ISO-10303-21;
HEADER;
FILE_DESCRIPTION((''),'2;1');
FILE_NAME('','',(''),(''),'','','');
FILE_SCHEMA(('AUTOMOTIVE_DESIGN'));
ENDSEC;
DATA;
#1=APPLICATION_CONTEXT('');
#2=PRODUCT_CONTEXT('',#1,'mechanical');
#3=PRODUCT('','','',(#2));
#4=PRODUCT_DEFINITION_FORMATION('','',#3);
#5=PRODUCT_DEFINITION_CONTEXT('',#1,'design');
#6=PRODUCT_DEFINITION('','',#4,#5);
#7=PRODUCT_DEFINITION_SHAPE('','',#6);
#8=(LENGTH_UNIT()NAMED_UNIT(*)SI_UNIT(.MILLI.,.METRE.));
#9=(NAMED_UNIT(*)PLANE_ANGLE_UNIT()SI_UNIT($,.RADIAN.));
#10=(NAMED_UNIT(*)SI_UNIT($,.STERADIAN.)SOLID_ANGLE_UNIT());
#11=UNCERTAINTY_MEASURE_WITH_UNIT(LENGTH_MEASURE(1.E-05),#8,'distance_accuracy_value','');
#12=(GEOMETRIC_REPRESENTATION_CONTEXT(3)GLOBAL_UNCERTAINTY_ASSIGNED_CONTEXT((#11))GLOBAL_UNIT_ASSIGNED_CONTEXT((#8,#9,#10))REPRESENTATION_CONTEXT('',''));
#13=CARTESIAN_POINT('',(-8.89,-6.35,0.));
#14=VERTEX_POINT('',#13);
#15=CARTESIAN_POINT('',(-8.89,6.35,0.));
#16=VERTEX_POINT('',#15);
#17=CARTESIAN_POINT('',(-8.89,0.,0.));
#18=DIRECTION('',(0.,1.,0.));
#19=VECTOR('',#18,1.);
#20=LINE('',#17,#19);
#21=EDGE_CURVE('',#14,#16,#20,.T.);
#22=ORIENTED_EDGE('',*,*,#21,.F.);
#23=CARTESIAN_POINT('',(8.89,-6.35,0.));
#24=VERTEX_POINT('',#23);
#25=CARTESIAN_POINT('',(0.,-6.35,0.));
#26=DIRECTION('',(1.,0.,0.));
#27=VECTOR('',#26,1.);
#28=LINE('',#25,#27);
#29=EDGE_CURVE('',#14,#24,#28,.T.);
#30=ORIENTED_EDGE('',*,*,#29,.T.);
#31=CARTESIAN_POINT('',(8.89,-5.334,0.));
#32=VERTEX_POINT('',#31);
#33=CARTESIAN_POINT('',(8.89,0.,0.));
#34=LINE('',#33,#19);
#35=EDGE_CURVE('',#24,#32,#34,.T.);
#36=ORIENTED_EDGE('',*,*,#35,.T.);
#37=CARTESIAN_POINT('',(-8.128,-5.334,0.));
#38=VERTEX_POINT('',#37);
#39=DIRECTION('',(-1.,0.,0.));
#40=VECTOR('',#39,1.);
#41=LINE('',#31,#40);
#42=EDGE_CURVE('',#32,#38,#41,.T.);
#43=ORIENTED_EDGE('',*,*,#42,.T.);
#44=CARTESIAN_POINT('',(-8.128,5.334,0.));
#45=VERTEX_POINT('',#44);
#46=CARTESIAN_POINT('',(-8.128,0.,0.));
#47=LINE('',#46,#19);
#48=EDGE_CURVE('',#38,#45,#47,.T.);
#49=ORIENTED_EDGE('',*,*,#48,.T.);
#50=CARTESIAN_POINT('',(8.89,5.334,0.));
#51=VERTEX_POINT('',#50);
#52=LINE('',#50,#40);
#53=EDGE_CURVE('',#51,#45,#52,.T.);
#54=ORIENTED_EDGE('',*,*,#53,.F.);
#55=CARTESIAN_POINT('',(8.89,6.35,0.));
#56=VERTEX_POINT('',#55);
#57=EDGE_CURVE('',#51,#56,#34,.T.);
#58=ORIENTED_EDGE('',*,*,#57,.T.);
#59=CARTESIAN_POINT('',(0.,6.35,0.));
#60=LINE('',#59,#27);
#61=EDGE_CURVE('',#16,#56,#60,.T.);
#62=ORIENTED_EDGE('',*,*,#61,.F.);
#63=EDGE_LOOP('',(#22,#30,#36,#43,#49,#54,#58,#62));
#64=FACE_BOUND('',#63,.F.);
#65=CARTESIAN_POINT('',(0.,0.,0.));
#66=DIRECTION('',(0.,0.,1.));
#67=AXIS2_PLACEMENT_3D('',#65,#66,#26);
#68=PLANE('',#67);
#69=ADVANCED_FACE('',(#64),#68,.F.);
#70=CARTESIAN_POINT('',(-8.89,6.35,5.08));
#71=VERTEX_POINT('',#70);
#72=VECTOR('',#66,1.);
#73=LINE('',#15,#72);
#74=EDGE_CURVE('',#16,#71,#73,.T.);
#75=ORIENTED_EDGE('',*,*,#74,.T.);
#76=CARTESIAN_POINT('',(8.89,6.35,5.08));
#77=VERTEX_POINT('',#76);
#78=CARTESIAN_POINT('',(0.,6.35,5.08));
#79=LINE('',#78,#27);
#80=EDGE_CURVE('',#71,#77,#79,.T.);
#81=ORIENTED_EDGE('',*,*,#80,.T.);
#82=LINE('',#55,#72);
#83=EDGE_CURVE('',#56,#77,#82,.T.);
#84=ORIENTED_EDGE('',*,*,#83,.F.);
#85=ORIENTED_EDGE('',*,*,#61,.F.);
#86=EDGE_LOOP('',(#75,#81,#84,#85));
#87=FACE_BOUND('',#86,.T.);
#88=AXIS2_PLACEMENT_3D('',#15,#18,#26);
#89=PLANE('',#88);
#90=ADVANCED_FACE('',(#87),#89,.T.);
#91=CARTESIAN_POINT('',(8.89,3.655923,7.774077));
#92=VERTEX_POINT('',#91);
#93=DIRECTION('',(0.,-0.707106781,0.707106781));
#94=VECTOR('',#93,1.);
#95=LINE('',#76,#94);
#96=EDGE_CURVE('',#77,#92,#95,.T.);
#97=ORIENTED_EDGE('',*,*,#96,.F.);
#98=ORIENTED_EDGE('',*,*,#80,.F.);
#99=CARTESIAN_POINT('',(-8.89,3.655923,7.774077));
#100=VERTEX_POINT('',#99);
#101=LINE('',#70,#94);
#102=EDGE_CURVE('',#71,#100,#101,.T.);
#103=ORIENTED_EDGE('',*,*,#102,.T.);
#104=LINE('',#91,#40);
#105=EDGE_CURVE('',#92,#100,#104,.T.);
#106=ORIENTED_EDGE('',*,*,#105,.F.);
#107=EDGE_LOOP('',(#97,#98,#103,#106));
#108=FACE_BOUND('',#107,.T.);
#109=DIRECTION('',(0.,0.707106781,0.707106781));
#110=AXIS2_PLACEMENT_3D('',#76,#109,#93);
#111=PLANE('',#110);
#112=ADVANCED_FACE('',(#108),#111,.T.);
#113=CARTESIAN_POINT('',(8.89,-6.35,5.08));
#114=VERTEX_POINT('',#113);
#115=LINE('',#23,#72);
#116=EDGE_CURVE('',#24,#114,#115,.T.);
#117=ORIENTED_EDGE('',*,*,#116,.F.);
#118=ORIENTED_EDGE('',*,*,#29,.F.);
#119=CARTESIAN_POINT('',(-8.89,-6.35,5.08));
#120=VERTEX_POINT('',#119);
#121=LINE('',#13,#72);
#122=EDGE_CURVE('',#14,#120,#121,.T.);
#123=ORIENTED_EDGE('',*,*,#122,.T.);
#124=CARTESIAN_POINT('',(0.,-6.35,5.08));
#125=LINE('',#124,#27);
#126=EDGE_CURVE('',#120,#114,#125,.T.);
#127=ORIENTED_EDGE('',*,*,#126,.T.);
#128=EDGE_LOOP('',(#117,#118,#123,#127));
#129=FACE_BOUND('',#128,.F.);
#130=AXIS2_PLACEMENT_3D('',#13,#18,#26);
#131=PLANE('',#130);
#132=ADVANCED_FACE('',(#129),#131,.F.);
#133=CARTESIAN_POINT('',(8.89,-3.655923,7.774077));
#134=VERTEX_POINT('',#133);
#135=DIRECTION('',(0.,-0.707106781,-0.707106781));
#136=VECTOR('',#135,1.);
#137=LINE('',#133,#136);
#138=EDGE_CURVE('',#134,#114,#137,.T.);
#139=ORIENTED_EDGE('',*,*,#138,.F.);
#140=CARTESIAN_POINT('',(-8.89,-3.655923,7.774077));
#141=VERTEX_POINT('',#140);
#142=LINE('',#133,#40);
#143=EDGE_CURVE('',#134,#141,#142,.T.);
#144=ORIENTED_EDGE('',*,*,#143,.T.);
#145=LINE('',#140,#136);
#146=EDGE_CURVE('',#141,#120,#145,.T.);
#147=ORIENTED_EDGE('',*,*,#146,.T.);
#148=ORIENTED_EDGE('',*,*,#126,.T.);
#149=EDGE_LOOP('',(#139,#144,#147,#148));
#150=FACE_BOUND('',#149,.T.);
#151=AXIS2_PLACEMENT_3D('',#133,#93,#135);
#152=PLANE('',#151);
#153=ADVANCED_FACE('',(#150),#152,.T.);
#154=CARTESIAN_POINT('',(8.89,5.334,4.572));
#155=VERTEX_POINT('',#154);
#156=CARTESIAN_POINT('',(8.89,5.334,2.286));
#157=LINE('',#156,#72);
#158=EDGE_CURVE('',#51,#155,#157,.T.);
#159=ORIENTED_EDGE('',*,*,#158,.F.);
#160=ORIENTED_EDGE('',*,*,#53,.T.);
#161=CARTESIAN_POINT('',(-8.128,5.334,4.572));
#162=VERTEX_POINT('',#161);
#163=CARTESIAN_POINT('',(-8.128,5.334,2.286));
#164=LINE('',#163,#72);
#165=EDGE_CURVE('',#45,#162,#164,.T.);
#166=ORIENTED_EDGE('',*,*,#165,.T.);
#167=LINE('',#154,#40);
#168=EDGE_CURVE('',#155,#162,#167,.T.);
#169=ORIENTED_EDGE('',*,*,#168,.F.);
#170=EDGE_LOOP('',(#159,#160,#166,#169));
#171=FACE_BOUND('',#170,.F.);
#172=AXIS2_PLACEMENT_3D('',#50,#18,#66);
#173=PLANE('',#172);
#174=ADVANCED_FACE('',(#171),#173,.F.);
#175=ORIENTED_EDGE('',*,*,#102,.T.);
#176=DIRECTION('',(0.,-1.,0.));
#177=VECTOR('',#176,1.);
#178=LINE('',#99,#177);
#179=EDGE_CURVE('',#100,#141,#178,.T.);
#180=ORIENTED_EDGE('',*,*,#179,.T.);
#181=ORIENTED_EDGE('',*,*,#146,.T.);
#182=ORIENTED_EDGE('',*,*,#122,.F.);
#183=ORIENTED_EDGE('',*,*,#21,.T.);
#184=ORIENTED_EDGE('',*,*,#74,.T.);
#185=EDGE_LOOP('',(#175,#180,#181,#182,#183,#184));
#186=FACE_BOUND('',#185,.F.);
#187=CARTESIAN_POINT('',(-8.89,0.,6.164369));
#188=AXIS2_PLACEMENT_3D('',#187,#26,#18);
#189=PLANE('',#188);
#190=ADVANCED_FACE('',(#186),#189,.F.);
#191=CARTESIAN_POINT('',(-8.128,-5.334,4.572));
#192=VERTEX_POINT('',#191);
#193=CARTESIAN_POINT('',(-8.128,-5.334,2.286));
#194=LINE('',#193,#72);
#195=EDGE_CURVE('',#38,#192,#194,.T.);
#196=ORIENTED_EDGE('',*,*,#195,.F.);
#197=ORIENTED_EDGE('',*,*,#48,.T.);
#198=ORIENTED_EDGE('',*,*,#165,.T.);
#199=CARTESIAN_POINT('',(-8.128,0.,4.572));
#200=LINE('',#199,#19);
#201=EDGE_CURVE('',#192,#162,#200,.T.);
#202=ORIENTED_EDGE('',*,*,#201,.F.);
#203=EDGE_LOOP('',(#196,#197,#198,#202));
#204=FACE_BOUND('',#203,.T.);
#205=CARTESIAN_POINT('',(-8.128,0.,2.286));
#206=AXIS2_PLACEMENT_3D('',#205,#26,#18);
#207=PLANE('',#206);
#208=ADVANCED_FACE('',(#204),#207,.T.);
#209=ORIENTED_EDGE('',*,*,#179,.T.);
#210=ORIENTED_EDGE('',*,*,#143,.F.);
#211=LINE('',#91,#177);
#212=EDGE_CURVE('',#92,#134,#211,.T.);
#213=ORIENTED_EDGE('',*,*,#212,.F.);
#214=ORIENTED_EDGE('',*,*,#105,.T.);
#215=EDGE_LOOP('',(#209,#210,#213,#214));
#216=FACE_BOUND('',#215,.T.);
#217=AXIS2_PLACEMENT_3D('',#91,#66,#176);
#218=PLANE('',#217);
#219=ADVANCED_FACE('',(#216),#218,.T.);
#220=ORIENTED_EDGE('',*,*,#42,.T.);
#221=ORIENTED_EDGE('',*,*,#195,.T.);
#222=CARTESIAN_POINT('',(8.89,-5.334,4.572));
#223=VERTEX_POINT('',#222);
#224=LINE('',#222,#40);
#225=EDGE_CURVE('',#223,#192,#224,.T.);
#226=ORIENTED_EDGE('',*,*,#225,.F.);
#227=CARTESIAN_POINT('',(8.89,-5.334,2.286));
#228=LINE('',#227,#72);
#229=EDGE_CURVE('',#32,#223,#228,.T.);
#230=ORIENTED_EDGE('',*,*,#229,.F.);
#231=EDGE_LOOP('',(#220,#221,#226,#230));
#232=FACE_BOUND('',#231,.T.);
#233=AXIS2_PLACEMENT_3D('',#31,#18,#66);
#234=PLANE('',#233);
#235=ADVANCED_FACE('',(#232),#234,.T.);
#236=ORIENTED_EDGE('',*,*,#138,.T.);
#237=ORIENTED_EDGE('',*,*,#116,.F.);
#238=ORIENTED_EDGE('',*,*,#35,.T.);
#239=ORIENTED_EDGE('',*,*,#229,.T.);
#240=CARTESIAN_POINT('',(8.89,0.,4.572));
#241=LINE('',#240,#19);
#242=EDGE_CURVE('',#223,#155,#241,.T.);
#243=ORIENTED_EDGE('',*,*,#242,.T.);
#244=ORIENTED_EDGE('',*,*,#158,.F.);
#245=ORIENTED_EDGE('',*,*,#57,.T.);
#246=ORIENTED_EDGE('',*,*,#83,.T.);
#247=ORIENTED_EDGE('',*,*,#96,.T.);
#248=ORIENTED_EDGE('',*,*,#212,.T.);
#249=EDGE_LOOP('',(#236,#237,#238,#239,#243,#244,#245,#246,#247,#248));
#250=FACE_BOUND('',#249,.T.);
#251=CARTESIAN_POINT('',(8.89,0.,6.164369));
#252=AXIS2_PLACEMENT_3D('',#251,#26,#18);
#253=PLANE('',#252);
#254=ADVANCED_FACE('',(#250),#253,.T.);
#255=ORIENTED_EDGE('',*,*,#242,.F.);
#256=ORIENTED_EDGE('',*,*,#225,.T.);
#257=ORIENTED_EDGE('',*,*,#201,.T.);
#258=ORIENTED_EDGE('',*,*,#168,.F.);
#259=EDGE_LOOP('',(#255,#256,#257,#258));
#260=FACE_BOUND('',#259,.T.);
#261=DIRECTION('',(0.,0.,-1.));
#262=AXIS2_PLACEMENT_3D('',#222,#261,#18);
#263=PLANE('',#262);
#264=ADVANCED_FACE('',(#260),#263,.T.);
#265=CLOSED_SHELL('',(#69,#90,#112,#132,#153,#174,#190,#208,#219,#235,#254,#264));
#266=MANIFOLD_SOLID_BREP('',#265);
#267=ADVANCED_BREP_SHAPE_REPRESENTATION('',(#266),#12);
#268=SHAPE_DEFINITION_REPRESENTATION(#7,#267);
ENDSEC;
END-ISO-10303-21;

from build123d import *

# Parameters (mm, degrees)
F0_W     = 17.78
F0_H     = 12.7
F1_DEPTH = 5.08
F3_DEPTH = 17.78
F4_W     = 10.668
F4_H     = 4.572
F5_DEPTH = 17.018


with BuildPart() as f1:
    # F0 (on Top) → F1 (new body)
    with BuildSketch(Plane.XY):
        Rectangle(F0_W, F0_H)
    extrude(amount=F1_DEPTH)

    # F2 (on face) → F3 (join)
    with BuildSketch(Plane.YZ.offset(8.89)):
        Polygon((-3.655923, 7.774077), (-6.35, 5.08), (6.35, 5.08), (3.655923, 7.774077), (0, 7.774077), align=None)
    extrude(amount=-F3_DEPTH)

    # F4 (on face) → F5 (cut)
    with BuildSketch(Plane.YZ.offset(8.89)):
        with Locations((0, 2.286)):
            Rectangle(F4_W, F4_H)
    extrude(amount=-F5_DEPTH, mode=Mode.SUBTRACT)


solid = f1.part
